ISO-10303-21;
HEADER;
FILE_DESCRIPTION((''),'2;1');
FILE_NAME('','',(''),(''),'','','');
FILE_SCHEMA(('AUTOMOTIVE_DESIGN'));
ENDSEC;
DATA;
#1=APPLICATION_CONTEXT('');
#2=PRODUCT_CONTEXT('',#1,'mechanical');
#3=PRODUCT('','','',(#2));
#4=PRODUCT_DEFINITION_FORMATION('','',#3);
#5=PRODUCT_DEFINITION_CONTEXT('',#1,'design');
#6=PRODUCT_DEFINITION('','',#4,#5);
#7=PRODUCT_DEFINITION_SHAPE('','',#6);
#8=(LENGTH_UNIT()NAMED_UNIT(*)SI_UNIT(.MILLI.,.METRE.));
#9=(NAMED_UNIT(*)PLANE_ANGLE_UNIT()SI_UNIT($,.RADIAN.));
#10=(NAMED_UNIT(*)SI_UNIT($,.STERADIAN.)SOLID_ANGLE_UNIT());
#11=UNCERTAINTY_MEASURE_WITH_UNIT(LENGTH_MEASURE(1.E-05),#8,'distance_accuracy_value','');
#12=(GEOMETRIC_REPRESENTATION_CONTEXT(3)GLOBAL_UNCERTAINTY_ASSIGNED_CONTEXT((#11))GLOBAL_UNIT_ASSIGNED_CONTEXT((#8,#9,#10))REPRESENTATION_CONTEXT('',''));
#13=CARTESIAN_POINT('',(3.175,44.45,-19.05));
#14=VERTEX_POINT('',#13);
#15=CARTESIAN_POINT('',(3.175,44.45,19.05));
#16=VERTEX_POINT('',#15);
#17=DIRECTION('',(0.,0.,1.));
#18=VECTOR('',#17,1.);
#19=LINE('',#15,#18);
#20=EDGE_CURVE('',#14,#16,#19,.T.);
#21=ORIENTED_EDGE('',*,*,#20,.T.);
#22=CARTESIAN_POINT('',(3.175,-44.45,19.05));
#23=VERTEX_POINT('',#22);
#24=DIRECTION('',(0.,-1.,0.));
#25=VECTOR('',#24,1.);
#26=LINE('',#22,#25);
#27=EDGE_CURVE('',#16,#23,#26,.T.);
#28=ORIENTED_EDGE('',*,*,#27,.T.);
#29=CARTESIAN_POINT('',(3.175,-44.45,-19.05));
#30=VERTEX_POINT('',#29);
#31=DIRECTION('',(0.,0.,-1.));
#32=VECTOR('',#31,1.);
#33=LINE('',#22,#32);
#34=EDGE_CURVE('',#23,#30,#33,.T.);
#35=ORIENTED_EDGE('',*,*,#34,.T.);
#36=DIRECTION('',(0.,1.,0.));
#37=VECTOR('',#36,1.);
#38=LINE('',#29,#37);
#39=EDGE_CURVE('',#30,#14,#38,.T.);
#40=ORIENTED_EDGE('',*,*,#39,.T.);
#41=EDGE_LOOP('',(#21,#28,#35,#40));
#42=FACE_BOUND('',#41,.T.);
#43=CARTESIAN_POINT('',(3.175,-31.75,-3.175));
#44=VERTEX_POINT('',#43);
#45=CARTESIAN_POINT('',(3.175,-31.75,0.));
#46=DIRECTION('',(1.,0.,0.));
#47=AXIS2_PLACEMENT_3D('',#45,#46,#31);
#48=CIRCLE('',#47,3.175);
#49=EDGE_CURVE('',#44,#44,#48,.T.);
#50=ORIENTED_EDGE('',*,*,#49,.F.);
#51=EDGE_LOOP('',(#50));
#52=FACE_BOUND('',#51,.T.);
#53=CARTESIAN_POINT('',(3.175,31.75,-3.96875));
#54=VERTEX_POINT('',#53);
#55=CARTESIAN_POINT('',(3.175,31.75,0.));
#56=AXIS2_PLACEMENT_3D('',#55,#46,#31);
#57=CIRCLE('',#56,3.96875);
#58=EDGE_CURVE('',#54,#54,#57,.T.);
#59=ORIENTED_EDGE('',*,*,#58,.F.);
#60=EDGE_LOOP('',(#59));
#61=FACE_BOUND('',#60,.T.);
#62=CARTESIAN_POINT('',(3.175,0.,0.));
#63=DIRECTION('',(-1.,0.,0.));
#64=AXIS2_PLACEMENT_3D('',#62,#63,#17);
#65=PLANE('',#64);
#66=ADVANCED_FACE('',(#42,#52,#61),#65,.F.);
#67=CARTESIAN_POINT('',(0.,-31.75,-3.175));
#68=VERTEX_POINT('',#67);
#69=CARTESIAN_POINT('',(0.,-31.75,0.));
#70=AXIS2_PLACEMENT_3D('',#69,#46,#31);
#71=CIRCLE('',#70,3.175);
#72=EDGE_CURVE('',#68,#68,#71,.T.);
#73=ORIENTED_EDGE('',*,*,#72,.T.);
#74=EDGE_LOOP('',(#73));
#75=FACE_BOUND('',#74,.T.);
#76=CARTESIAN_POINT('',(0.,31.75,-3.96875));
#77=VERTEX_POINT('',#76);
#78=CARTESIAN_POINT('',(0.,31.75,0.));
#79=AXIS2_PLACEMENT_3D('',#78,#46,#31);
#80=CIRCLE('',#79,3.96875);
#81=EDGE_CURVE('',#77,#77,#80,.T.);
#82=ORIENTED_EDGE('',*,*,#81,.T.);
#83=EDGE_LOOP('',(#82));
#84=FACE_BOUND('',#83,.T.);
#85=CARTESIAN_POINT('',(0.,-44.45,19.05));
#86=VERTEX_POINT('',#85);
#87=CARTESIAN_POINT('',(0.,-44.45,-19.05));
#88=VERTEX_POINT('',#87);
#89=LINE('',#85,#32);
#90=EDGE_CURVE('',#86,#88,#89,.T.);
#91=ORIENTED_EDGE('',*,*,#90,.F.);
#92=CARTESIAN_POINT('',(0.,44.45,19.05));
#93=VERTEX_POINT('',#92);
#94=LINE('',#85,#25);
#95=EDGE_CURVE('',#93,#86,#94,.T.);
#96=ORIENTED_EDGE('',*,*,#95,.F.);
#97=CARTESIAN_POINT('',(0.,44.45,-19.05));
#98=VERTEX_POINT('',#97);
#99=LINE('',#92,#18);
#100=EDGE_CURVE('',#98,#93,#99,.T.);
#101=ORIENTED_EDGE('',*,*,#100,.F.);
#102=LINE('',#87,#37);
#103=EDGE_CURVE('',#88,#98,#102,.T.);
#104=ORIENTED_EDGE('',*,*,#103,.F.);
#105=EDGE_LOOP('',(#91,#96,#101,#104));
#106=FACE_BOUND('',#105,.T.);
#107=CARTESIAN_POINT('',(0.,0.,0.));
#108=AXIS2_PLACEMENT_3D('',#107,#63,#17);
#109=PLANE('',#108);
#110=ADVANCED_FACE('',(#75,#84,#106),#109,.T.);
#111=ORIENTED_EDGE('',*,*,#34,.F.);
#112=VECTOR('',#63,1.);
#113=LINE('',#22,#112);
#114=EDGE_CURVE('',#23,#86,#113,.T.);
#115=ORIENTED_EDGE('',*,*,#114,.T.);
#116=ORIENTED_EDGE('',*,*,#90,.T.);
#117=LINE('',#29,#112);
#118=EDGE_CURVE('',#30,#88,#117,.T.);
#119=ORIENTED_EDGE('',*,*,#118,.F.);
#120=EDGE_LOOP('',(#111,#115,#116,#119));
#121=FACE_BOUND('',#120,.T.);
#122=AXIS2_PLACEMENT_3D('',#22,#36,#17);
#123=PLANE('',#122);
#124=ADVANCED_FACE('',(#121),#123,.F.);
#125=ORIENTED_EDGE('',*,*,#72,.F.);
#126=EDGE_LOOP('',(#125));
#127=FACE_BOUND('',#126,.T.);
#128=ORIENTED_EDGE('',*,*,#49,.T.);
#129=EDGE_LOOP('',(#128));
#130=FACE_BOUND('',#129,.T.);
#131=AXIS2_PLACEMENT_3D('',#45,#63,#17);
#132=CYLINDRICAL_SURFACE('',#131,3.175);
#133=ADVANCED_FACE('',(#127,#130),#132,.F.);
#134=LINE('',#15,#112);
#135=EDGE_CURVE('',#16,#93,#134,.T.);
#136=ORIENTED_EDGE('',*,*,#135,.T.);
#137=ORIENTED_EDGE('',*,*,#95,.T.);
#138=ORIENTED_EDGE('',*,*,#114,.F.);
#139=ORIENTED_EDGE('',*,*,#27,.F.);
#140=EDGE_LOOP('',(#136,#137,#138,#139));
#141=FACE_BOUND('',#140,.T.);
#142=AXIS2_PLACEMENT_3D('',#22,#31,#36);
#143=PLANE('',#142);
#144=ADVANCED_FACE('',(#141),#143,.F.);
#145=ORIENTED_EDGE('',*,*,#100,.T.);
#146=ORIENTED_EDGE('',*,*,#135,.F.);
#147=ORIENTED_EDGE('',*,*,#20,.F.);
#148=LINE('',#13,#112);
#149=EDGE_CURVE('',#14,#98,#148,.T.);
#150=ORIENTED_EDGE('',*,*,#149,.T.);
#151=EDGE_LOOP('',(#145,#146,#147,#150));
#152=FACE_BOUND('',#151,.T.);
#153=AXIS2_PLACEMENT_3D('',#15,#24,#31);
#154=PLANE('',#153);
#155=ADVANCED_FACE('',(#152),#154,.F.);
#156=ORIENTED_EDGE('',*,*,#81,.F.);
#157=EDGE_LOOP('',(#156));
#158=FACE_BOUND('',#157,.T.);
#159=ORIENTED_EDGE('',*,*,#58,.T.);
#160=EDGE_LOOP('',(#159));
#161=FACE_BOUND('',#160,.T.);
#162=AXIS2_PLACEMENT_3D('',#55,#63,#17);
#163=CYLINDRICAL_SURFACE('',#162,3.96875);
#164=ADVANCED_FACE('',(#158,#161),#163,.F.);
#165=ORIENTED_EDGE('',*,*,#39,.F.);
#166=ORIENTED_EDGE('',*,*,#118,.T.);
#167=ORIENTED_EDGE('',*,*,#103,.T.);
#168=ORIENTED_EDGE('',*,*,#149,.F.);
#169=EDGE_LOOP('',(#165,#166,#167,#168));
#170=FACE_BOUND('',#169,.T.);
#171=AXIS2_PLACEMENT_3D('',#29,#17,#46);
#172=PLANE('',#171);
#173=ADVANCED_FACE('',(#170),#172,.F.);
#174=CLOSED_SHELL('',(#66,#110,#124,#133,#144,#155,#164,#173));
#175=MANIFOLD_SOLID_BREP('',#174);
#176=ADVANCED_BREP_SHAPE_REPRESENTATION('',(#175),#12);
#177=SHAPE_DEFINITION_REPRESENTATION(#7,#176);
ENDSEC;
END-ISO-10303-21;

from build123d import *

# Parameters (mm, degrees)
SKETCH1_W           = 38.1
SKETCH1_H           = 88.9
SKETCH1_R           = 3.96875
SKETCH1_R_2         = 3.175
BOSS_EXTRUDE1_DEPTH = 3.175


with BuildPart() as part:
    # Sketch1 → Boss-Extrude1 (new body)
    with BuildSketch(Plane(origin=(0, 0, 0), x_dir=(0, 0, -1), z_dir=(1, 0, 0))):
        Rectangle(SKETCH1_W, SKETCH1_H)
        with Locations((0, 31.75)):
            Circle(SKETCH1_R, mode=Mode.SUBTRACT)
        with Locations((0, -31.75)):
            Circle(SKETCH1_R_2, mode=Mode.SUBTRACT)
    extrude(amount=BOSS_EXTRUDE1_DEPTH)


solid = part.part
